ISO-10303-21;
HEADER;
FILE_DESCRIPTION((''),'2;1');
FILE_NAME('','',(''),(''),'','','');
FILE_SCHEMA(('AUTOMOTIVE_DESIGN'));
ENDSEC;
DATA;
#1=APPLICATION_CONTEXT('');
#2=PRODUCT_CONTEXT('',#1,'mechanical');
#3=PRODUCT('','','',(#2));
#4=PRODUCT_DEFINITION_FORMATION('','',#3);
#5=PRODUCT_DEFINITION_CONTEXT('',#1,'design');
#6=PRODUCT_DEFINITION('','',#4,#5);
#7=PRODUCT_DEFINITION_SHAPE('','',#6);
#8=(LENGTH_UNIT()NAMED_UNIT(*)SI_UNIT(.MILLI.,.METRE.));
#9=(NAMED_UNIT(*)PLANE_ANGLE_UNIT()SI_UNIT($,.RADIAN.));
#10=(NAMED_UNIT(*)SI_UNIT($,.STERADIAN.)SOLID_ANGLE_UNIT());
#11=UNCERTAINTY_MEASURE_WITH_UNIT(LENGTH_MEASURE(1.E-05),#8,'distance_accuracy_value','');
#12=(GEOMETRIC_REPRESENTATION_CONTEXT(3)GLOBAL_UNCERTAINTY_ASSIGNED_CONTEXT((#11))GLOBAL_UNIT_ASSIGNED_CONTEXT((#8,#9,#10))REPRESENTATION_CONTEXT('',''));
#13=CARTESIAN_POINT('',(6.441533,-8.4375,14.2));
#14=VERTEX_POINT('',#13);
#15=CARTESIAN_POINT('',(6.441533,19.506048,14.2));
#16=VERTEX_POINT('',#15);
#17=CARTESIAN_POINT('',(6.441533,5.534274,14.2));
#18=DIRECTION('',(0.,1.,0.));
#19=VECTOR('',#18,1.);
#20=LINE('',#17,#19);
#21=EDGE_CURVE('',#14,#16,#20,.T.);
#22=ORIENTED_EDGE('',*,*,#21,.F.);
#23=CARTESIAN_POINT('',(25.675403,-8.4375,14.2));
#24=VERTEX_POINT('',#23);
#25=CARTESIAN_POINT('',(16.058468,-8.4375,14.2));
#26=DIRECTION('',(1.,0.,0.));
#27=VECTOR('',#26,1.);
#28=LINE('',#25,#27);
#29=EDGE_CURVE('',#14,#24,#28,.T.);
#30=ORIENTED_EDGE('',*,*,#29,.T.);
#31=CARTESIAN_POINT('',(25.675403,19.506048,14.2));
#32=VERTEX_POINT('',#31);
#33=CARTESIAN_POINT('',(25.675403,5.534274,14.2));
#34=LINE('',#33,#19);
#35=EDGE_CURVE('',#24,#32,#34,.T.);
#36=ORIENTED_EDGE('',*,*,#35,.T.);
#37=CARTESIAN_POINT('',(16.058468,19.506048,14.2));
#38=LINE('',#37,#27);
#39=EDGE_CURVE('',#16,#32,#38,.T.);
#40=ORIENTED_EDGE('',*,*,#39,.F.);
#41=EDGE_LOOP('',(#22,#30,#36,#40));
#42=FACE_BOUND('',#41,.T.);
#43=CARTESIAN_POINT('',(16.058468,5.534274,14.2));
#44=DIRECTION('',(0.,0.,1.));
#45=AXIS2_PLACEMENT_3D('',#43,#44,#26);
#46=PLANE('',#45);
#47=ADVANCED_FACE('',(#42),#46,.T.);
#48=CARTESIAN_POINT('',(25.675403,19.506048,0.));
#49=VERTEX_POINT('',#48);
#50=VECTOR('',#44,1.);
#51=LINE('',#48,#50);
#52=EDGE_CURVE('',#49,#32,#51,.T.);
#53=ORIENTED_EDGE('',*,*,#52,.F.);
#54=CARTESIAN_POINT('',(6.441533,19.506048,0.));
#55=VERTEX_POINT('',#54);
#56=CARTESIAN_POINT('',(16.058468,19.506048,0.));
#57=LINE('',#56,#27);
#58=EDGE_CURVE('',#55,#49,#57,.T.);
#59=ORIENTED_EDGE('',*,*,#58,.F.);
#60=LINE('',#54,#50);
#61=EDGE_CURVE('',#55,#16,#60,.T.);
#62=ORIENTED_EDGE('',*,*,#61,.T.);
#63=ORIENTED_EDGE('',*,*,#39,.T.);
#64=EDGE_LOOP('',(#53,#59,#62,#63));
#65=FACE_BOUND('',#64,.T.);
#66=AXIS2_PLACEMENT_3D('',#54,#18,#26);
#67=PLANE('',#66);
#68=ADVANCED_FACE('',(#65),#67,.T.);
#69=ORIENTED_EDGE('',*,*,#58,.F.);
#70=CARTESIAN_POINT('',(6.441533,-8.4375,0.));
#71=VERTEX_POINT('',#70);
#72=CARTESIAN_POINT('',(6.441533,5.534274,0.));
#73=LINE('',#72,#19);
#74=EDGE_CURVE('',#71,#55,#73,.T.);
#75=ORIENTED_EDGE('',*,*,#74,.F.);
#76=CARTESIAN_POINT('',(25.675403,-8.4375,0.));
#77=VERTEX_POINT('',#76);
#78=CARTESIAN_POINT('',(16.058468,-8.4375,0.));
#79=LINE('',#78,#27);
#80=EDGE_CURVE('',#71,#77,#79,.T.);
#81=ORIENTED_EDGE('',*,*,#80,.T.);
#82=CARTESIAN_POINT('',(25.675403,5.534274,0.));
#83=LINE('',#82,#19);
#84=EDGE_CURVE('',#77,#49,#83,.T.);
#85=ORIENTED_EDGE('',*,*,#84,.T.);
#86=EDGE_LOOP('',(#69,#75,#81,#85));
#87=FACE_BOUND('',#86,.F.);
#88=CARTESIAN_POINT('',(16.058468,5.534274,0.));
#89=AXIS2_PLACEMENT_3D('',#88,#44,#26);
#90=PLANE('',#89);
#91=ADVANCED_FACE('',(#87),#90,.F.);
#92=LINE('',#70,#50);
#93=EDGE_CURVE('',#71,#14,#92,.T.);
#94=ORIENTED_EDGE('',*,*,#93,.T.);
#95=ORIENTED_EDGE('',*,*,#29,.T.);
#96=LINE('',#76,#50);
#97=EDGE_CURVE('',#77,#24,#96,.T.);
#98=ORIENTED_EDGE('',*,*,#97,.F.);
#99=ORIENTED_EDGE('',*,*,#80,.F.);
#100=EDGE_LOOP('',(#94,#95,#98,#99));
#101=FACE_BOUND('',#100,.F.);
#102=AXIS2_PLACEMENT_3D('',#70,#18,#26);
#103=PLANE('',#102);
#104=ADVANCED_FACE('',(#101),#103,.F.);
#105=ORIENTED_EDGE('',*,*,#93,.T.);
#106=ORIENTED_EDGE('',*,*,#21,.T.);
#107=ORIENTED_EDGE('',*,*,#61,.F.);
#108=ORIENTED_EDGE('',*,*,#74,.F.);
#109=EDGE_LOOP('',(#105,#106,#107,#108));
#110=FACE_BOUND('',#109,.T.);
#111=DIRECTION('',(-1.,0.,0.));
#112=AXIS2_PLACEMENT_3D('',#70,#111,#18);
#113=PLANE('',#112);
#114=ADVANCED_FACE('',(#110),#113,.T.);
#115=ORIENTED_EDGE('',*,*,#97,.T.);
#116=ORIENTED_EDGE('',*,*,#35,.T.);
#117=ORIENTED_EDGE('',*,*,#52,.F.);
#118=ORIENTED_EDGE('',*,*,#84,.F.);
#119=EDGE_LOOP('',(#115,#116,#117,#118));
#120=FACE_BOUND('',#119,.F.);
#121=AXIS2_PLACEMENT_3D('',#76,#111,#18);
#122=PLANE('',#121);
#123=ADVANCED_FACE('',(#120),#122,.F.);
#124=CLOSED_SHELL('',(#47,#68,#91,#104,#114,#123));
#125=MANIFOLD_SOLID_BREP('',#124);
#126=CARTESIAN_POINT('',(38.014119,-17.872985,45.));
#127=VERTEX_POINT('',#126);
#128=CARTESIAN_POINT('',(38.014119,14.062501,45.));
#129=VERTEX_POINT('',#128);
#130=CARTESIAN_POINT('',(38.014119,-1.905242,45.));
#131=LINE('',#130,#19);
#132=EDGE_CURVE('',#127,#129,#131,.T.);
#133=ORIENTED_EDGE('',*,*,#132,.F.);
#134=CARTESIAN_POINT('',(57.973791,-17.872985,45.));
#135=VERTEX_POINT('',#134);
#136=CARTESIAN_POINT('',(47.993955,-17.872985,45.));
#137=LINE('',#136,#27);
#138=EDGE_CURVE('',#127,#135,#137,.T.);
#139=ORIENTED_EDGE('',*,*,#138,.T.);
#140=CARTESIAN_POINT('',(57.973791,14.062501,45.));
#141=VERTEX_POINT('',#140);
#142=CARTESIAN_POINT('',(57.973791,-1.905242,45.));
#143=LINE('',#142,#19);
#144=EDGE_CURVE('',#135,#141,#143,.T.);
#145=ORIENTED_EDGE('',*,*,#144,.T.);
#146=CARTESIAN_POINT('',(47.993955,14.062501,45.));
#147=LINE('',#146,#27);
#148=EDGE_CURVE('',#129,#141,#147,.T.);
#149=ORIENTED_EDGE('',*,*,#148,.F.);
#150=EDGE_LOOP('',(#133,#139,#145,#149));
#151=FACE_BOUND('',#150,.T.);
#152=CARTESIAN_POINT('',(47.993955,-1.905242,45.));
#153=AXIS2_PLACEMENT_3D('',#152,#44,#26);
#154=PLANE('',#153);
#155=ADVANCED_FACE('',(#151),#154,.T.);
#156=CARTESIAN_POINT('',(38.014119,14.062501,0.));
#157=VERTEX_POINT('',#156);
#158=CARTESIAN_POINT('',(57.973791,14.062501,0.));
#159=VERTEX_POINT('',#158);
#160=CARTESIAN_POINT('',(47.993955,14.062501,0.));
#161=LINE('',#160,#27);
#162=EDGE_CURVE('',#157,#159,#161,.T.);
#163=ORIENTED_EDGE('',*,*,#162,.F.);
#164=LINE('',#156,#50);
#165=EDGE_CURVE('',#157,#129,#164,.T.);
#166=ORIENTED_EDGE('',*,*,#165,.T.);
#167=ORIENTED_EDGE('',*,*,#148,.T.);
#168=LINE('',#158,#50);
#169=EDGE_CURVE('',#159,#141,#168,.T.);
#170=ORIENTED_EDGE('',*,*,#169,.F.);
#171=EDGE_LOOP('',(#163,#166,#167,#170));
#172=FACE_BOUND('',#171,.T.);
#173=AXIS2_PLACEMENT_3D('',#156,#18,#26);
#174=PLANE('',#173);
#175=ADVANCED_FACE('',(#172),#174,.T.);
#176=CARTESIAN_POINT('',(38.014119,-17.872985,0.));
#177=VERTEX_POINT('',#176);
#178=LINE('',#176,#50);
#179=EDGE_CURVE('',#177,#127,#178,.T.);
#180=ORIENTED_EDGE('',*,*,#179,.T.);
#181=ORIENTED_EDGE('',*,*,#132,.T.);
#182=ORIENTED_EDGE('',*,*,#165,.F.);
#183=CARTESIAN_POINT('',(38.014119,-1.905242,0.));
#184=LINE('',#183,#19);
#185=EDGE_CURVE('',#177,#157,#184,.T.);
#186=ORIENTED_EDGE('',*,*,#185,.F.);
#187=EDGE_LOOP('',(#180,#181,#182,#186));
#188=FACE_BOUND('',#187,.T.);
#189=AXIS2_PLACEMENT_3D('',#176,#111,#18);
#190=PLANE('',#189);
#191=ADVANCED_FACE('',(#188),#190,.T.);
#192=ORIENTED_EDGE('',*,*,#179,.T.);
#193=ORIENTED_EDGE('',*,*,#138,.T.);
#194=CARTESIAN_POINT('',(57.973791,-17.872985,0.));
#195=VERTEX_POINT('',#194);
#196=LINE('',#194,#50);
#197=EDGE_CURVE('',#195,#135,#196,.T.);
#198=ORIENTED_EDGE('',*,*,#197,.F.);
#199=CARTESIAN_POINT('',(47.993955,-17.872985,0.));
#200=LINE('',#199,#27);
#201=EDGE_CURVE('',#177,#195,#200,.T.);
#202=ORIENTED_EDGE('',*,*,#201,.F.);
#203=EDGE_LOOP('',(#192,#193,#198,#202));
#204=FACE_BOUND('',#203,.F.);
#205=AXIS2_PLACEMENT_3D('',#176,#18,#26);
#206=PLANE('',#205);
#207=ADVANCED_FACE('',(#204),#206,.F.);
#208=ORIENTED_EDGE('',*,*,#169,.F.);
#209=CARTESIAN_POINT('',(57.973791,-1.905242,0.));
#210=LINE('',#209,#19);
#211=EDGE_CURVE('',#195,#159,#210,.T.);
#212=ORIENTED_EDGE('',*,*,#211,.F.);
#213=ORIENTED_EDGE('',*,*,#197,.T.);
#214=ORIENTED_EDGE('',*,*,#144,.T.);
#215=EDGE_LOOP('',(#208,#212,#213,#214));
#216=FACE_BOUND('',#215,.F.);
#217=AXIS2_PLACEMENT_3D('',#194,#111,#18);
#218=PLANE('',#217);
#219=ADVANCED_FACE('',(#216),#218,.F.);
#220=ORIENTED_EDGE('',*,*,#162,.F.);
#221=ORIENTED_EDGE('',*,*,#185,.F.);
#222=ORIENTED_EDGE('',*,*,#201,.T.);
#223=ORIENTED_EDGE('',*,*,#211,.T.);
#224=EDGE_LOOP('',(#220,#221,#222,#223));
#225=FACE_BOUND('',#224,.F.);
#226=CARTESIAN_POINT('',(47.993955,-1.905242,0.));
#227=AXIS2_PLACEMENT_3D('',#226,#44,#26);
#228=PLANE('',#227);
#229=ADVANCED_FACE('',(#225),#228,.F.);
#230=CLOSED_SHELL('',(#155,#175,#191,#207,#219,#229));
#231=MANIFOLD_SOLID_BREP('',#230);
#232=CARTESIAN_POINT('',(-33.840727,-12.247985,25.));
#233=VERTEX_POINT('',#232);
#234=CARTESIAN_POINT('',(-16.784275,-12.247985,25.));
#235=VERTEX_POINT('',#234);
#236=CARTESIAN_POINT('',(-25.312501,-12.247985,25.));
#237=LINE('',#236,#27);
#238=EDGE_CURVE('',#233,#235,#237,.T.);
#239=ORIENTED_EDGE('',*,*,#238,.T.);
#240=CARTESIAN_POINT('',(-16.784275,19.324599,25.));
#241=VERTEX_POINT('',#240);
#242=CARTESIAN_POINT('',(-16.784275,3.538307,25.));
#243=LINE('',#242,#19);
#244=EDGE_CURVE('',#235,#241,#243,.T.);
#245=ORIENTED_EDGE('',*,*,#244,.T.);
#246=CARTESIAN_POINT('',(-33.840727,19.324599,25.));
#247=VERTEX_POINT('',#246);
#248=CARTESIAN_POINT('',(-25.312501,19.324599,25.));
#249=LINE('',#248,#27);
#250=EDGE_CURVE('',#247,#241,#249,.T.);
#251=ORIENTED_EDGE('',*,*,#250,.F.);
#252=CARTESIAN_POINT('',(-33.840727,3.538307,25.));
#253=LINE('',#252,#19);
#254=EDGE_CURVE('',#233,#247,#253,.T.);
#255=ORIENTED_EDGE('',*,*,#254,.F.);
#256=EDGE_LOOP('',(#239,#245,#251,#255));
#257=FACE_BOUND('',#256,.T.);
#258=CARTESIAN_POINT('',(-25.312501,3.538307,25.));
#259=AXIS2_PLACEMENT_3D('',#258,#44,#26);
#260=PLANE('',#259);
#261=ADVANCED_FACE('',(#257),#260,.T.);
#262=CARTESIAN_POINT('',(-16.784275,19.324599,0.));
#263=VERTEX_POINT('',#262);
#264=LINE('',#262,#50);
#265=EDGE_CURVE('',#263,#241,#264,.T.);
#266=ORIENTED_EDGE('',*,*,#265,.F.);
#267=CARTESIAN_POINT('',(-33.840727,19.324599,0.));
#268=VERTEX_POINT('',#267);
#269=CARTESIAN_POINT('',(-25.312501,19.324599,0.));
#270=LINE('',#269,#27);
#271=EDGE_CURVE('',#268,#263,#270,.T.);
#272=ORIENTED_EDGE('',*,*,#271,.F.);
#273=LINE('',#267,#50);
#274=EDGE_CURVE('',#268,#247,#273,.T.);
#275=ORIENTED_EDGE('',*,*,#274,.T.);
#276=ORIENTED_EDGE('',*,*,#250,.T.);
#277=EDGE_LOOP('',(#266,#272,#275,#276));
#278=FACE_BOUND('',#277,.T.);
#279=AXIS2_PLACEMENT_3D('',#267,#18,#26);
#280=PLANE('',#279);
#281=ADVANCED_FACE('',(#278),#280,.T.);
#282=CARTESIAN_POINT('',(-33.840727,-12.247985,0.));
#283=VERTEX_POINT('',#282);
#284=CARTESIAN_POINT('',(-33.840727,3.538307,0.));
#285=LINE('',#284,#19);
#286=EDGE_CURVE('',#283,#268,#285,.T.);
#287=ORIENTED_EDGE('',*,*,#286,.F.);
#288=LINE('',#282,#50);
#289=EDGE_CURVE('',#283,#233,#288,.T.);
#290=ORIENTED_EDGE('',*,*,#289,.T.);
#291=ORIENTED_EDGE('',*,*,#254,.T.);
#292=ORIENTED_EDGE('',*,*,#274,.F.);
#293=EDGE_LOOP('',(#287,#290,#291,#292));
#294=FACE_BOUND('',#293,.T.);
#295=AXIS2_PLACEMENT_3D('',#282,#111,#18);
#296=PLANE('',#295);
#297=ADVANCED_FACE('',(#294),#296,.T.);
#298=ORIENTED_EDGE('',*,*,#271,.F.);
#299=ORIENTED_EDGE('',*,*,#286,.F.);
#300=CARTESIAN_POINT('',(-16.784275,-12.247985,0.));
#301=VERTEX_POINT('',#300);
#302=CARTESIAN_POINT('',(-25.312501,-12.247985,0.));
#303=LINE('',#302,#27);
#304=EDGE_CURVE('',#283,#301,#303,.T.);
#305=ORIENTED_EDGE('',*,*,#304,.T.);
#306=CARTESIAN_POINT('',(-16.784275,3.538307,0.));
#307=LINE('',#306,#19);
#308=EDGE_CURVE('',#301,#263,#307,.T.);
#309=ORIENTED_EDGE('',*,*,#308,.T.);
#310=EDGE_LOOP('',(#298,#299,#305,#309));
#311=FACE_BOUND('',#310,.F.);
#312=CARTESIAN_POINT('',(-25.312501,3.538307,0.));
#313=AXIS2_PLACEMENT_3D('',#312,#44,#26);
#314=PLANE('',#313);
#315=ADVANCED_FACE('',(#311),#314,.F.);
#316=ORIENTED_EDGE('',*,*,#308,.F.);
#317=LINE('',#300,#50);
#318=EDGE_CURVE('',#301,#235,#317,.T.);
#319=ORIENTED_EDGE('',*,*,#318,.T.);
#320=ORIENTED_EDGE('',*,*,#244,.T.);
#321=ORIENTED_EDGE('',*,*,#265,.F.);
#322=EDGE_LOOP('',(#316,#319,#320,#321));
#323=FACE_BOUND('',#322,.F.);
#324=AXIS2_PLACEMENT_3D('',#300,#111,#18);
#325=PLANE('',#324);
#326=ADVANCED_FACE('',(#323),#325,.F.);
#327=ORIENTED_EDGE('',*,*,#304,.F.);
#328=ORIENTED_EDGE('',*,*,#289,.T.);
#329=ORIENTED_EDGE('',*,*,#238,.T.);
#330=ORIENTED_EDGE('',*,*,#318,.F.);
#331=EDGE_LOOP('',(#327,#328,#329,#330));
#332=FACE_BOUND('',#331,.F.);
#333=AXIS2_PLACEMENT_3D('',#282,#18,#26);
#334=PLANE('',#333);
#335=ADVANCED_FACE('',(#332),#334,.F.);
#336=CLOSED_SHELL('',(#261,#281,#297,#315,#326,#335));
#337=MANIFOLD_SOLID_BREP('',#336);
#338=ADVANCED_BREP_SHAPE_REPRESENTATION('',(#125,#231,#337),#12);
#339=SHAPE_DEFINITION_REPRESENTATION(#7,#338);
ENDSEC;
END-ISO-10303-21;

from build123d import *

# Parameters (mm, degrees)
F0_W     = 17.056452
F0_H     = 31.572584
F1_DEPTH = 25
F0_W_2   = 19.23387
F0_H_2   = 27.943548
F2_DEPTH = 14.2
F0_W_3   = 19.959673
F0_H_3   = 31.935486
F3_DEPTH = 45


with BuildPart() as f1:
    # F0 (on Top) → F1 (new body)
    with BuildSketch(Plane.XY):
        with Locations((-25.312501, 3.538307)):
            Rectangle(F0_W, F0_H)
    extrude(amount=F1_DEPTH)


with BuildPart() as f2:
    # F0 (on Top) → F2 (new body)
    with BuildSketch(Plane.XY):
        with Locations((16.058468, 5.534274)):
            Rectangle(F0_W_2, F0_H_2)
    extrude(amount=F2_DEPTH)


with BuildPart() as f3:
    # F0 (on Top) → F3 (new body)
    with BuildSketch(Plane.XY):
        with Locations((47.993955, -1.905242)):
            Rectangle(F0_W_3, F0_H_3)
    extrude(amount=F3_DEPTH)


solid = Compound([f1.part, f2.part, f3.part])
